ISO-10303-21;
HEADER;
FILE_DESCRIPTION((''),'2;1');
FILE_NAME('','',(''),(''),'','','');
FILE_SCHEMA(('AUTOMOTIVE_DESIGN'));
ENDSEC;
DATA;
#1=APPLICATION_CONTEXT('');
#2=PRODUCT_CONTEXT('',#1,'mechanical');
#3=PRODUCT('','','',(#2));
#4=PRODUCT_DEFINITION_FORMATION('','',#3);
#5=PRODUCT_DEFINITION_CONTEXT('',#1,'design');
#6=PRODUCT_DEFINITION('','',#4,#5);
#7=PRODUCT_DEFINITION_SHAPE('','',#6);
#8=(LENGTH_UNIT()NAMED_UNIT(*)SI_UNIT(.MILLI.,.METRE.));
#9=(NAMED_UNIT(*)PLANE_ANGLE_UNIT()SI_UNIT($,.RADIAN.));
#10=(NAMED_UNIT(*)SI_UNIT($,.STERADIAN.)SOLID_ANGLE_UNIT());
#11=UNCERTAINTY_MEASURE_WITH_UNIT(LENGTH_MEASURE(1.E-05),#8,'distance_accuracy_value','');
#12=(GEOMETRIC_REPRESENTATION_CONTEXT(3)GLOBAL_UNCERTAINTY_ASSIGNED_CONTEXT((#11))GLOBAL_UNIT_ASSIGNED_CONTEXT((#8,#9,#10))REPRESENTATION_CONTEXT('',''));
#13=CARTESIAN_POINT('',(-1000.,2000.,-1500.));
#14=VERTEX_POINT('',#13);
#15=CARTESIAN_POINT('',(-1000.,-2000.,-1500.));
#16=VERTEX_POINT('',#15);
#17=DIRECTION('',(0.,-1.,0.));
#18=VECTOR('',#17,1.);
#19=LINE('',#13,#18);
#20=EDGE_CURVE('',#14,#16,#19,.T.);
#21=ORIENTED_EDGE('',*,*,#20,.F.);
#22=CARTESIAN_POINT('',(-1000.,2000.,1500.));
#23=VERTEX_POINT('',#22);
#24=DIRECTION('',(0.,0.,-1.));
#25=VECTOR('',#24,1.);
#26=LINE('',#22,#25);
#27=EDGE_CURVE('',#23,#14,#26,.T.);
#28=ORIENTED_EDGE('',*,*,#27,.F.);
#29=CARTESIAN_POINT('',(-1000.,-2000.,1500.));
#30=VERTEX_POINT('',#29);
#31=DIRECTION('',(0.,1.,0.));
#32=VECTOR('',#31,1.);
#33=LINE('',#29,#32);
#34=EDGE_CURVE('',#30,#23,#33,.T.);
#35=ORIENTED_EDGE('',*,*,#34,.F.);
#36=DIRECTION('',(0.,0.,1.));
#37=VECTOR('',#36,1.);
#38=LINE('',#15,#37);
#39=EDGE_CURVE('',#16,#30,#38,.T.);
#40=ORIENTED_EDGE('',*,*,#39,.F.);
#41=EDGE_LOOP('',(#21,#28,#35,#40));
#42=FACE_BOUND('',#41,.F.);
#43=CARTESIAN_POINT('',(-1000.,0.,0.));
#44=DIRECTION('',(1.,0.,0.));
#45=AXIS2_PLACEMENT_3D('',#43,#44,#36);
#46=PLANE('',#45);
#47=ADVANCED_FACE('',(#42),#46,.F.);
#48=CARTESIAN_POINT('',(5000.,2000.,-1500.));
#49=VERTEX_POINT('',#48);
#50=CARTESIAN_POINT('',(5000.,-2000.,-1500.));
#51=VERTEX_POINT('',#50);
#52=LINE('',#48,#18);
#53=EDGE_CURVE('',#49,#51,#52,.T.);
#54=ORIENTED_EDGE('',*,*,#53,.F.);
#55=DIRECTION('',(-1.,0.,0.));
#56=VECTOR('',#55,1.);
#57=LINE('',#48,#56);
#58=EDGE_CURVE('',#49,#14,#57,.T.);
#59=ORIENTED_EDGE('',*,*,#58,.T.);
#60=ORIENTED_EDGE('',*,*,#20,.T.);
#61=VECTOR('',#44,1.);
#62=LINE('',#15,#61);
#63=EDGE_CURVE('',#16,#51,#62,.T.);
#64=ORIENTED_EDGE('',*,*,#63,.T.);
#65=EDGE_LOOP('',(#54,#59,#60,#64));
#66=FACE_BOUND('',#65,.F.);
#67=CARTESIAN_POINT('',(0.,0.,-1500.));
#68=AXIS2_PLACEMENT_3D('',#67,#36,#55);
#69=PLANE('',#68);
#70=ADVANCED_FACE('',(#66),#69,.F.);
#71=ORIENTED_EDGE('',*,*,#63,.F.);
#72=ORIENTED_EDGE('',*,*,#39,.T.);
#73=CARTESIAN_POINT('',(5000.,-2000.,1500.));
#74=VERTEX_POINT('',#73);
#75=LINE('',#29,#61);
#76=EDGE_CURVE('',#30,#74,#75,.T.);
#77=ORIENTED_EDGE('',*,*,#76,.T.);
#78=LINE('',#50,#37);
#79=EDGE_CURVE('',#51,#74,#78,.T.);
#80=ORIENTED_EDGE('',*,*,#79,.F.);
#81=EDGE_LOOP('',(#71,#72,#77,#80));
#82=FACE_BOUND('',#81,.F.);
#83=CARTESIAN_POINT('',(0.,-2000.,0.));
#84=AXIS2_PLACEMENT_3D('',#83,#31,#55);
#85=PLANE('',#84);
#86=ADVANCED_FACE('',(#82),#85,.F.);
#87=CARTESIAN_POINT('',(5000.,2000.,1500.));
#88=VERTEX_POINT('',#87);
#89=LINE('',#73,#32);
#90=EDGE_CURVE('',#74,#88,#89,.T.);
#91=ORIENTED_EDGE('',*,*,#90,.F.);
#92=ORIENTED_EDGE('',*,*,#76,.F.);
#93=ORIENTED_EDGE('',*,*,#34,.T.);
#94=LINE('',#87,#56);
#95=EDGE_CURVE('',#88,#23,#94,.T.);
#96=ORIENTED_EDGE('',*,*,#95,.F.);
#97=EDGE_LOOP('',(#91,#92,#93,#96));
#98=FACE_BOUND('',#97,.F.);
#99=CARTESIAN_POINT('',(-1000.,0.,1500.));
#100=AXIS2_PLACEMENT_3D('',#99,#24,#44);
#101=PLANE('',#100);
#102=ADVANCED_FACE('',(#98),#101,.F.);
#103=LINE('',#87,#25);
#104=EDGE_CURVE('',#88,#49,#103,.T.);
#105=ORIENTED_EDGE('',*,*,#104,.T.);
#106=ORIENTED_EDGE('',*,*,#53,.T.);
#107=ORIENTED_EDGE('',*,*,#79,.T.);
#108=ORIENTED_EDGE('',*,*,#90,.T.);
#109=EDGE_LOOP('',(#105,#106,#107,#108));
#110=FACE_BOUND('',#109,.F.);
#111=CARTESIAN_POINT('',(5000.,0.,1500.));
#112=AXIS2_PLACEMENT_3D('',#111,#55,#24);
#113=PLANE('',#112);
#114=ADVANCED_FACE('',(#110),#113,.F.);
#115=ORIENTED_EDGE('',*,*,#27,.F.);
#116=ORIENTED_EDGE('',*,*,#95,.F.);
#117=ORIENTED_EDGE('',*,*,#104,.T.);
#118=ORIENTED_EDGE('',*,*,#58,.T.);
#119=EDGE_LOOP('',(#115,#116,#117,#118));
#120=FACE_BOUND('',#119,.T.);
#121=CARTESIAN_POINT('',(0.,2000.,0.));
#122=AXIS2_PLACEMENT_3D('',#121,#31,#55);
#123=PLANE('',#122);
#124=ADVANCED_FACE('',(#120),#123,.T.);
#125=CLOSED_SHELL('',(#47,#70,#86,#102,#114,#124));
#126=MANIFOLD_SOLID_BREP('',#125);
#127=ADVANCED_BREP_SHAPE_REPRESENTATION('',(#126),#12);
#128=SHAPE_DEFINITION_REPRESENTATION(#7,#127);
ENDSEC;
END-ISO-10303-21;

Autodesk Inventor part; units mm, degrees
ref_plane "YZ Plane" through (0, 0, 0) normal (1, 0, 0) x (0, 1, 0)
ref_plane "XZ Plane" through (0, 0, 0) normal (0, 1, 0) x (-1, 0, 0)
ref_plane "XY Plane" through (0, 0, 0) normal (0, 0, 1) x (1, 0, 0)
sketch "スケッチ1" plane through (0, 0, 0) normal (0, 1, 0) x (-1, 0, 0)
  line L0 (1000, 1500) -> (-5000, 1500)
  line L1 (-5000, 1500) -> (-5000, -1500)
  line L2 (-5000, -1500) -> (1000, -1500)
  line L3 (1000, -1500) -> (1000, 1500)
  line L4 (2200, 0) -> (-6200, 0) projected
  line L5 (0, -2100) -> (0, 2100) projected
  point P0 (0, 0)
  dimension "d0" = 3000
  dimension "d1" = 1000
  dimension "d2" = 6000
extrude "押し出し1" add sketch "スケッチ1" along normal mid plane 4000
properties part number "aircraft03_02"
